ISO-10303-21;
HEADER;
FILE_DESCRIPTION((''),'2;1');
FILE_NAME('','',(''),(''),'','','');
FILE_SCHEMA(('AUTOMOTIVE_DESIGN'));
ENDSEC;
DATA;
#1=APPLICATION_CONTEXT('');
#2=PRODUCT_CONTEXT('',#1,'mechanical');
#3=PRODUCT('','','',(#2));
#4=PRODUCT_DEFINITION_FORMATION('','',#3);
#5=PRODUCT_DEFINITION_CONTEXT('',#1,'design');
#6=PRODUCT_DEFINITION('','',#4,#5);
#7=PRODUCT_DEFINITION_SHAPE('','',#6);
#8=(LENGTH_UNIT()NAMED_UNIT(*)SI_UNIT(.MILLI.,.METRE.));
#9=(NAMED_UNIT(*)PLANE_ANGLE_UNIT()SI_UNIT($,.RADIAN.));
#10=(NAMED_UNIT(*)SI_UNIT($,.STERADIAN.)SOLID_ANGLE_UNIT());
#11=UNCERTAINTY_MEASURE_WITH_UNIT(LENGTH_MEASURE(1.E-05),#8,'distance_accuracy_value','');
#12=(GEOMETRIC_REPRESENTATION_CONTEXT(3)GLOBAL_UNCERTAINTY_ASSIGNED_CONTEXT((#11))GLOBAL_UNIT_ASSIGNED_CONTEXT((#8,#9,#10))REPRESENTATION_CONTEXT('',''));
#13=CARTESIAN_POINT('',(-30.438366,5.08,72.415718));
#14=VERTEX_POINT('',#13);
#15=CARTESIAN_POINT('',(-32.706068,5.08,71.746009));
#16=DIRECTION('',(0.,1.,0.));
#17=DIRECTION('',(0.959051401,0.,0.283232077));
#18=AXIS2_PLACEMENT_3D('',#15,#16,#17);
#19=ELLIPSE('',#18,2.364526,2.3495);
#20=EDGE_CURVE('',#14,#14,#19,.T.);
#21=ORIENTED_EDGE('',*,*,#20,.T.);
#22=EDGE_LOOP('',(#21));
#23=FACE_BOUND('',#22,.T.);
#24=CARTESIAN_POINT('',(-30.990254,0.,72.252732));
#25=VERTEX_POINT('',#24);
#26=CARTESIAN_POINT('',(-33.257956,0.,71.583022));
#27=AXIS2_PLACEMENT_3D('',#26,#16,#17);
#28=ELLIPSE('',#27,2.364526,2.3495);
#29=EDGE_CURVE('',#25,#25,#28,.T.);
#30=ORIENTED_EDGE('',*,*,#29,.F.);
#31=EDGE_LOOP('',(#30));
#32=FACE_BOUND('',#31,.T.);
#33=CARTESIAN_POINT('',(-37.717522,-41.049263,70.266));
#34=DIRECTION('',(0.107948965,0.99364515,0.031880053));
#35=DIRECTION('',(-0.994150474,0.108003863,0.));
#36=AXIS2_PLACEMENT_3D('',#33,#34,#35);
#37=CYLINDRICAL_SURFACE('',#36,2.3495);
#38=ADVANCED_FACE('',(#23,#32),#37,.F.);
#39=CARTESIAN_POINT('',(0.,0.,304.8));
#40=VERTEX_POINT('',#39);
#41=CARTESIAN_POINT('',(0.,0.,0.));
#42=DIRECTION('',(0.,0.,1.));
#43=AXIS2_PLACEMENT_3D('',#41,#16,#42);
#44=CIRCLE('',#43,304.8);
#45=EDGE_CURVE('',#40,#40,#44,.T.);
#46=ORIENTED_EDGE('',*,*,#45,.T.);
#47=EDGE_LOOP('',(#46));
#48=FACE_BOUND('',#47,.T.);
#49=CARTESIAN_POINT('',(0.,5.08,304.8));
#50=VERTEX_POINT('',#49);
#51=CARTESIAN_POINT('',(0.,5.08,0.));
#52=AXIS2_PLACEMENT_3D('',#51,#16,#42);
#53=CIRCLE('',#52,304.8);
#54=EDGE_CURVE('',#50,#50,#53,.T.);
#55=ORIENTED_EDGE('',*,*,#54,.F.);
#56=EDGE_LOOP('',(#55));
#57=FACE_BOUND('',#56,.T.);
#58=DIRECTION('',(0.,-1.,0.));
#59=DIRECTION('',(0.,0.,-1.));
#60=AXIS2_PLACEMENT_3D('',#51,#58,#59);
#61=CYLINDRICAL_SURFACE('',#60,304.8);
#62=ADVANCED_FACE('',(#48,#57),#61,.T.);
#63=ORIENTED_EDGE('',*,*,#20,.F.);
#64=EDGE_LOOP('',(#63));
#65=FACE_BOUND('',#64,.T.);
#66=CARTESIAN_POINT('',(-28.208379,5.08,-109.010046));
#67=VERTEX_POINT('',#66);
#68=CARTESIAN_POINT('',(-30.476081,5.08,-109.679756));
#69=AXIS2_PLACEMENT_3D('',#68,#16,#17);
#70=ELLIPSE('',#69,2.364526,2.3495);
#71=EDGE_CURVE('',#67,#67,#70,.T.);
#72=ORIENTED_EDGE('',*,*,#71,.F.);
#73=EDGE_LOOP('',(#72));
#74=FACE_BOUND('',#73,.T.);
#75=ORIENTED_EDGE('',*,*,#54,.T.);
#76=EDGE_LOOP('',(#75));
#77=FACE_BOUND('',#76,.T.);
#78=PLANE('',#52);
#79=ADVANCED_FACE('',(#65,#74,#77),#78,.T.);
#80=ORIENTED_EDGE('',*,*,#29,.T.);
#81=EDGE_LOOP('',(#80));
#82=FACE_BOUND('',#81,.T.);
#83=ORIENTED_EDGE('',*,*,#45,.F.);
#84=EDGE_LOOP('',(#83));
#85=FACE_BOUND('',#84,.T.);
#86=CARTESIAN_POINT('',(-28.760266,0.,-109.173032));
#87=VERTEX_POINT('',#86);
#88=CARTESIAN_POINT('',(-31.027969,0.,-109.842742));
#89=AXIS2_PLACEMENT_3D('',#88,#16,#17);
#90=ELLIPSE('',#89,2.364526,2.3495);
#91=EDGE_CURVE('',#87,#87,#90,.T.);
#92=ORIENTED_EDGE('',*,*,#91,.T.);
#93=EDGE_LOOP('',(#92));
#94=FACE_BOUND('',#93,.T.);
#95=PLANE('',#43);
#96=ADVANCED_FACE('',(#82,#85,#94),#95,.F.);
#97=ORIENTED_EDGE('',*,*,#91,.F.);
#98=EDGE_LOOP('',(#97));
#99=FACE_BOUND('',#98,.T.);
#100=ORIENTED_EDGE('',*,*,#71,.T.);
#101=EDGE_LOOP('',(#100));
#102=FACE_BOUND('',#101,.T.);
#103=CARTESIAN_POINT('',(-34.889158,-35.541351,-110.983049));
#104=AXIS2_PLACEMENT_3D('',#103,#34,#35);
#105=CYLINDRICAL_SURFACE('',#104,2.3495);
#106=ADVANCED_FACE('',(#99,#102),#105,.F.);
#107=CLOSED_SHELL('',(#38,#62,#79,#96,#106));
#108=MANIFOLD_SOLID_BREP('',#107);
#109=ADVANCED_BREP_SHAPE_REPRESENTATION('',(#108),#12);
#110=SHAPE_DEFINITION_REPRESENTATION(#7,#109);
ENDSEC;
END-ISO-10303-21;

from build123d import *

# Parameters (mm, degrees)
SKETCH2_R           = 304.8
BOSS_EXTRUDE1_DEPTH = 5.08
SKETCH3_R           = 2.3495
CUT_EXTRUDE1_DEPTH  = 551.227709234


with BuildPart() as part:
    # Sketch2 → Boss-Extrude1 (new body)
    with BuildSketch(Plane(origin=(0, 0, 0), x_dir=(1, 0, 0), z_dir=(0, 1, 0))):
        with Locations(Location((0, 0, 0), (0, 0, 270))):
            Circle(SKETCH2_R)
    extrude(amount=BOSS_EXTRUDE1_DEPTH)

    # Sketch3 → Cut-Extrude1 (cut, through all)
    with BuildSketch(Plane(origin=(-66.634045458, 80.024593283, -93.174052362), x_dir=(0.9941524009920281, -0.1079843831563281, -0.0006136742891854778), z_dir=(0.10794896477866957, 0.99364514955026, 0.03188005298701745))):
        with Locations(Location((41.721218349, -167.120322092, 0), (0, 0, 343.610574901))):
            Circle(SKETCH3_R)
        with Locations(Location((44.049502294, 14.21950649, 0), (0, 0, 343.610574901))):
            Circle(SKETCH3_R)
    extrude(amount=-CUT_EXTRUDE1_DEPTH, mode=Mode.SUBTRACT)


solid = part.part
